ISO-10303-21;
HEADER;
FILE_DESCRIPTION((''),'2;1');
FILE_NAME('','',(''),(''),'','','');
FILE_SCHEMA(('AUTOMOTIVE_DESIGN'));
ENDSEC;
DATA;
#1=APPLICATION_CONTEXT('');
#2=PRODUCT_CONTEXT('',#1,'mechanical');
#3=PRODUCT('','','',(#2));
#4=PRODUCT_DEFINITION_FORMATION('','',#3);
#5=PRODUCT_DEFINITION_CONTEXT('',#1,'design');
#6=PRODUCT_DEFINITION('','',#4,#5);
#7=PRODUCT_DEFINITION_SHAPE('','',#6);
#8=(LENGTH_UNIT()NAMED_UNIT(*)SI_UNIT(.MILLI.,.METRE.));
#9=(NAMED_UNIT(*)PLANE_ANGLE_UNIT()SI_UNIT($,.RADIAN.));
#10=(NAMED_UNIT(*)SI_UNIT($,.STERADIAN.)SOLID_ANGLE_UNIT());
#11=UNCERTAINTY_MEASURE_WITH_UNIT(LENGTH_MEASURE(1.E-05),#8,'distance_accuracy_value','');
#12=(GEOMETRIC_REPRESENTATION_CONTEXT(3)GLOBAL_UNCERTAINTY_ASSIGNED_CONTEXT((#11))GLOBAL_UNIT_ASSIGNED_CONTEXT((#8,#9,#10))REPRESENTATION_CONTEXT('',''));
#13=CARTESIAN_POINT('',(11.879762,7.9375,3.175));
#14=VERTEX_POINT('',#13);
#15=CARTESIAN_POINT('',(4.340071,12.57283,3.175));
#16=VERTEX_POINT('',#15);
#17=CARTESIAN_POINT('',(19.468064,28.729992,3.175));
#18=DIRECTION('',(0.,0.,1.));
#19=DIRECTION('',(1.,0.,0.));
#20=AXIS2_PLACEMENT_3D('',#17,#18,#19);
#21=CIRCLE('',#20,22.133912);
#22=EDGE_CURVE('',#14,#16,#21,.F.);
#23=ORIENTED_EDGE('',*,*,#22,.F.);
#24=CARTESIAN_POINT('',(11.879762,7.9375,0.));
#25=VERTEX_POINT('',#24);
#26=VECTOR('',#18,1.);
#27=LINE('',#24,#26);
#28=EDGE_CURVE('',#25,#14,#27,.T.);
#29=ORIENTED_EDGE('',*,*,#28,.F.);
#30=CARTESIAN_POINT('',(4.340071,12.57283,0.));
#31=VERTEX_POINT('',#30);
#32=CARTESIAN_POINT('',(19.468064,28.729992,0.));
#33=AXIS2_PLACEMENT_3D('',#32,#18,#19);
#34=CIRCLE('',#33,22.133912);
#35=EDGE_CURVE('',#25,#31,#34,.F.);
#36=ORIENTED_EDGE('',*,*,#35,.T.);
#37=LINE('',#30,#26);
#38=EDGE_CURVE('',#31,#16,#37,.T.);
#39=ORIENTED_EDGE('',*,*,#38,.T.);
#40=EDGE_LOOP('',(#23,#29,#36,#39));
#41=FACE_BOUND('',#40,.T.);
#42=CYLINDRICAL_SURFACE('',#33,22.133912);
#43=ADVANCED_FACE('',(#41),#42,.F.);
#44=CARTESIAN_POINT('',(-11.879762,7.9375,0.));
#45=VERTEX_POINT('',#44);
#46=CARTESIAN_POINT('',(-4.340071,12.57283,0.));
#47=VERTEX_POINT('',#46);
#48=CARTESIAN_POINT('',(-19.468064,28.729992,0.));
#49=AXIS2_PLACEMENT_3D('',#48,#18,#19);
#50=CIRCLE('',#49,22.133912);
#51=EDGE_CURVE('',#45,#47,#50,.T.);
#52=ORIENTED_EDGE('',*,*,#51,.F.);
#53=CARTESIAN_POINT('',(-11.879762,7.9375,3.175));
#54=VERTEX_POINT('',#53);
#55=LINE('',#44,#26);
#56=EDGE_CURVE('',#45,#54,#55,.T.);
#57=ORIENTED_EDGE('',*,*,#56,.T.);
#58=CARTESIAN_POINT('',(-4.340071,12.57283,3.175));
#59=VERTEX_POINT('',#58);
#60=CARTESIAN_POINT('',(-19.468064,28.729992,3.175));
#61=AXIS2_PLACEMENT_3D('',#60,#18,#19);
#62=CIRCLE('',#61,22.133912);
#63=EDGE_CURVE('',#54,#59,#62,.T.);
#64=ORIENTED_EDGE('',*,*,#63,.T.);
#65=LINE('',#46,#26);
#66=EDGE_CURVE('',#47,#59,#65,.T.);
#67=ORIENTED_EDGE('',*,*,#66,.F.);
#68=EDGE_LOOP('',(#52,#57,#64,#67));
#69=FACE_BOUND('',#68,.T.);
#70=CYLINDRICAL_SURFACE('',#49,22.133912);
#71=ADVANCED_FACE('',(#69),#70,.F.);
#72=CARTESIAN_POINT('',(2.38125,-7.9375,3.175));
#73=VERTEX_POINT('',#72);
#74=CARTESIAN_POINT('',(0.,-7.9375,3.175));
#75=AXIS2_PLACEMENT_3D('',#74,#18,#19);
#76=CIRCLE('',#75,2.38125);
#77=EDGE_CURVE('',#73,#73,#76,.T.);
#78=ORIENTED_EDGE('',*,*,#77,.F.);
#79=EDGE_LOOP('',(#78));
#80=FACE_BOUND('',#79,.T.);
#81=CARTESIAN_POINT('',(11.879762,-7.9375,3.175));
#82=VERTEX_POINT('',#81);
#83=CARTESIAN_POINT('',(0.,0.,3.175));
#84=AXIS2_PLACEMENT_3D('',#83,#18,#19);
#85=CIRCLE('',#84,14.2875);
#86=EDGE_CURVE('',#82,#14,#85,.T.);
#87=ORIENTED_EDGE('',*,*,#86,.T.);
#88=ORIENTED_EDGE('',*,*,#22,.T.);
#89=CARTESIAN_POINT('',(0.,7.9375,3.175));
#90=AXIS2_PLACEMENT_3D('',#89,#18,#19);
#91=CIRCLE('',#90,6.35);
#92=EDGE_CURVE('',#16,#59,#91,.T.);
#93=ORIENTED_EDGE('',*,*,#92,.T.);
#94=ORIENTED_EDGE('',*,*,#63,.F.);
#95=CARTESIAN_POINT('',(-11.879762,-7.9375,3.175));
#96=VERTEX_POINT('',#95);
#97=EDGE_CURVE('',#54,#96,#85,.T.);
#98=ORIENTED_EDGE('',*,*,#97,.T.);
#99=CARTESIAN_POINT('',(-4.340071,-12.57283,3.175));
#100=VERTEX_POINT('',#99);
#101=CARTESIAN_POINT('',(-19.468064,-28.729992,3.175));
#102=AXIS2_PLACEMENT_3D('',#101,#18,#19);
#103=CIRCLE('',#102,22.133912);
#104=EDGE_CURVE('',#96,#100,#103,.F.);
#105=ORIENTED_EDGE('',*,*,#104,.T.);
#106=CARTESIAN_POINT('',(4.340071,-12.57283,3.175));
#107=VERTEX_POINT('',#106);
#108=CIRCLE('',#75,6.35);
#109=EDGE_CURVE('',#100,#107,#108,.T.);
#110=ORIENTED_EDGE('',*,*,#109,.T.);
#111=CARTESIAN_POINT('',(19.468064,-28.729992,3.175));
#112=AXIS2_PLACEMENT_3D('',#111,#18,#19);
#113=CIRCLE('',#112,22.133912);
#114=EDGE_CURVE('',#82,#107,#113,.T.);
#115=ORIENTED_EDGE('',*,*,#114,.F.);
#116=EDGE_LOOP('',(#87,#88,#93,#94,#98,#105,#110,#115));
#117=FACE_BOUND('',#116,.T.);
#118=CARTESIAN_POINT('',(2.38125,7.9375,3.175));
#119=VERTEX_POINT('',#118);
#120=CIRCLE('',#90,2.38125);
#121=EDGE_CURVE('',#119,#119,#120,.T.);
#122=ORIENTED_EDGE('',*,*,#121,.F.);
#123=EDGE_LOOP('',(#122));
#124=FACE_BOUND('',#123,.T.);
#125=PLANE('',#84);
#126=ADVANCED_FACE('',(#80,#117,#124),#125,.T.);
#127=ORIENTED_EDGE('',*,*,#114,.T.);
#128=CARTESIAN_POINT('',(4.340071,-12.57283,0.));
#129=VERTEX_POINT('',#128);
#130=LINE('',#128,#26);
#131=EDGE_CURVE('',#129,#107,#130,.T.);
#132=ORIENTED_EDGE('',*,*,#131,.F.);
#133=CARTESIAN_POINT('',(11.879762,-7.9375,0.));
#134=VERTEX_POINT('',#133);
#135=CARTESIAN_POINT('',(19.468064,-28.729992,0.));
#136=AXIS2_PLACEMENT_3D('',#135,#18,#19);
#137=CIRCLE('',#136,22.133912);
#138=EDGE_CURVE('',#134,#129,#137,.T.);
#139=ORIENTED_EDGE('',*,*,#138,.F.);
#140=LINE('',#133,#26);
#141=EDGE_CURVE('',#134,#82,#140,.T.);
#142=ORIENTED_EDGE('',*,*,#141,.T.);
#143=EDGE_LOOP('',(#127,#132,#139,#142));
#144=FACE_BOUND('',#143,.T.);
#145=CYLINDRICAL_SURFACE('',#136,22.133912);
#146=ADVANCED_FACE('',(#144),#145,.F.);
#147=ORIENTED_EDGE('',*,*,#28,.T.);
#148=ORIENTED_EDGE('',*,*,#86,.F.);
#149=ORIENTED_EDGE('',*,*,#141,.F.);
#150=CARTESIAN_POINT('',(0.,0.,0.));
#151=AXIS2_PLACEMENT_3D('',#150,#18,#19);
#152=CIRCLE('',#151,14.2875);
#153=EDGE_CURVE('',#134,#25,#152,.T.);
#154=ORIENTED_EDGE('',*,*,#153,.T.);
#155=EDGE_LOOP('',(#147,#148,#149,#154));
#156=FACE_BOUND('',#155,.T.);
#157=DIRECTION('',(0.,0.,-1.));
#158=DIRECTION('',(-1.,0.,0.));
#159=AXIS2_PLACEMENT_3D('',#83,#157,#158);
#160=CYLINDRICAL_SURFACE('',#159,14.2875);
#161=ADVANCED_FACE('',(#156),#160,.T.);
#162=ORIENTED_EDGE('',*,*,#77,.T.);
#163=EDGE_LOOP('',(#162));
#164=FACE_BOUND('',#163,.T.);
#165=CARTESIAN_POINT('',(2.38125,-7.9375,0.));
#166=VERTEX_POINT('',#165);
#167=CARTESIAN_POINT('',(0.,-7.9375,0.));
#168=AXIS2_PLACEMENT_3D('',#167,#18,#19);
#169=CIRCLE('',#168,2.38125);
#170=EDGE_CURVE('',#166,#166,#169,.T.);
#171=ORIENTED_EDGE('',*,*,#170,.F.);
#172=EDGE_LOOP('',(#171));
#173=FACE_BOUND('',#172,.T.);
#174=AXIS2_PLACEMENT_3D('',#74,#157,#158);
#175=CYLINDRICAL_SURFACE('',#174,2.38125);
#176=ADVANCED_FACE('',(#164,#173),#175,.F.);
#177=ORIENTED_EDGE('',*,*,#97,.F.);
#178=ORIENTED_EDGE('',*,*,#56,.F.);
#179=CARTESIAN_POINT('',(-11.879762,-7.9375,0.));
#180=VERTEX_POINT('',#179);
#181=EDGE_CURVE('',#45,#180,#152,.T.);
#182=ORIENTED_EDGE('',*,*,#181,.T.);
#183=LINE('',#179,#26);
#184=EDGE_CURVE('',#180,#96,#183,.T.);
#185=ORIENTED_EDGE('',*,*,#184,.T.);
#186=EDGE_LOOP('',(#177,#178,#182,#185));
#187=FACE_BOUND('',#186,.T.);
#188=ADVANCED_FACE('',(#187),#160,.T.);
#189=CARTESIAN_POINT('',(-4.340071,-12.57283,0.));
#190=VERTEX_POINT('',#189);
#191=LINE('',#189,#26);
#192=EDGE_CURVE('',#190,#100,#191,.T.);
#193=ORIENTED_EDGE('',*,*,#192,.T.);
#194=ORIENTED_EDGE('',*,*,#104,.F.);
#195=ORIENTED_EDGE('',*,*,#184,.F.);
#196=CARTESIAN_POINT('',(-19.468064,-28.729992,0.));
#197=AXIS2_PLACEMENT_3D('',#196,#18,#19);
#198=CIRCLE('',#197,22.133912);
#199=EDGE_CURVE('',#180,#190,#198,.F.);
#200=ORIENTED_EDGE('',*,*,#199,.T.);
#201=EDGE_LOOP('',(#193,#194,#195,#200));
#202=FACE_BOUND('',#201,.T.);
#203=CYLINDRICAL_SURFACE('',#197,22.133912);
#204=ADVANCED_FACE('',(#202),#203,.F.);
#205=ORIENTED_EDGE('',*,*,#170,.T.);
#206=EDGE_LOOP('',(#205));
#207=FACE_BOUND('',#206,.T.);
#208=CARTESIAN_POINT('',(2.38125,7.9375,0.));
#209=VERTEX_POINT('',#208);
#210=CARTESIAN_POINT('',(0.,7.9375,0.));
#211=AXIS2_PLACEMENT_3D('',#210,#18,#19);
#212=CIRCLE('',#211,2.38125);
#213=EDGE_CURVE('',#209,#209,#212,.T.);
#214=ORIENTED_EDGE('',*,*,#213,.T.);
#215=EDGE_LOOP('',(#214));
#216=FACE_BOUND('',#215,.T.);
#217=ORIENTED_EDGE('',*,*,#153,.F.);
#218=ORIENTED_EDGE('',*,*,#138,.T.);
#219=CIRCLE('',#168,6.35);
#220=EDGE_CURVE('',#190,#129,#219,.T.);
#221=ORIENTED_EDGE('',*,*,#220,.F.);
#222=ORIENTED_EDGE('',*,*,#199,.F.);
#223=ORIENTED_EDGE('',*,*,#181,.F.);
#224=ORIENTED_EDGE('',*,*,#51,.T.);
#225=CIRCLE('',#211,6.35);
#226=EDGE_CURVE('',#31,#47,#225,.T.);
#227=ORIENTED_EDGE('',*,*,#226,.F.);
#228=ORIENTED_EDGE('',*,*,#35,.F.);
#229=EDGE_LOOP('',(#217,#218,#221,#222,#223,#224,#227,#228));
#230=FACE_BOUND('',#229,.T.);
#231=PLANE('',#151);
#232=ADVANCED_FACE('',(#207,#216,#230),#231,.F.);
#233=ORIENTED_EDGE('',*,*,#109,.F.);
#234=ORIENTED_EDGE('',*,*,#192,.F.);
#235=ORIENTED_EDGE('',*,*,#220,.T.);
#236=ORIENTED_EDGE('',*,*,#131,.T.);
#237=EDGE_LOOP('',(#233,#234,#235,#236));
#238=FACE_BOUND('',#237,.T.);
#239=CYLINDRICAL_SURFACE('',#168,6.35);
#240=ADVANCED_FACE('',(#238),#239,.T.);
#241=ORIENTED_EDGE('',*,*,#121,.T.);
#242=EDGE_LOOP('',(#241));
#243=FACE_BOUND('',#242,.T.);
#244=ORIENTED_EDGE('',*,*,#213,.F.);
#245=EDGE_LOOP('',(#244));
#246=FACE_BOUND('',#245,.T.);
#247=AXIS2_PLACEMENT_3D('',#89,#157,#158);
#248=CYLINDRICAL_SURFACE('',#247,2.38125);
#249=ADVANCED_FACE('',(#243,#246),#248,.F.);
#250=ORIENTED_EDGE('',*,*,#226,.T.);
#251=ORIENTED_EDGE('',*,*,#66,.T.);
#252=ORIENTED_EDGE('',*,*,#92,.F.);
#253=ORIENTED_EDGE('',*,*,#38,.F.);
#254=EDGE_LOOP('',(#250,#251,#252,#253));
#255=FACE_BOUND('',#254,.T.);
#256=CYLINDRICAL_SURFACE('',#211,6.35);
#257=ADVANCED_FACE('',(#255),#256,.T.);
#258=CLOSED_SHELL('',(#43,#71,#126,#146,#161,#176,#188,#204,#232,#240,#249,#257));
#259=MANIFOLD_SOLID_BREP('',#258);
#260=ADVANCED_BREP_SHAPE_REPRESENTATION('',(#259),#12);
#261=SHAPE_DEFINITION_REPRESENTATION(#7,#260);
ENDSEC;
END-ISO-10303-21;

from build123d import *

# Parameters (mm, degrees)
SKETCH1_R           = 14.2875
SKETCH1_R_2         = 2.38125
BOSS_EXTRUDE1_DEPTH = 3.175
SKETCH2_R           = 18.832202279
SKETCH2_R_2         = 14.2875
CUT_EXTRUDE1_DEPTH  = 21.453506729


with BuildPart() as part:
    # Sketch1 → Boss-Extrude1 (new body)
    with BuildSketch(Plane.XY):
        Circle(SKETCH1_R)
        with Locations((0, 7.9375)):
            Circle(SKETCH1_R_2, mode=Mode.SUBTRACT)
        with Locations((0, -7.9375)):
            Circle(SKETCH1_R_2, mode=Mode.SUBTRACT)
    extrude(amount=BOSS_EXTRUDE1_DEPTH)

    # Sketch2 → Cut-Extrude1 (cut, through all)
    # profile 1 of 5: a face of its own
    with BuildSketch(Plane.XY.offset(3.175)):
        Circle(SKETCH2_R)
        Circle(SKETCH2_R_2, mode=Mode.SUBTRACT)
    # profile 2 of 5: a face of its own
    with BuildSketch(Plane.XY.offset(3.175)):
        with BuildLine():
            ThreePointArc((4.340071127, 12.572829828), (7.875864823, 9.874463076), (11.879762203, 7.9375))
            ThreePointArc((11.879762203, 7.9375), (6.735192091, 12.600390619), (0, 14.2875))
            ThreePointArc((0, 14.2875), (2.333254764, 13.843295645), (4.340071127, 12.572829828))
        make_face()
    # profile 3 of 5: a face of its own
    with BuildSketch(Plane.XY.offset(3.175)):
        with BuildLine():
            ThreePointArc((7.3e-08, -14.2875), (6.735192123, -12.600390602), (11.879762203, -7.9375))
            ThreePointArc((11.879762203, -7.9375), (7.875864823, -9.874463076), (4.340071127, -12.572829828))
            ThreePointArc((4.340071127, -12.572829828), (2.333254798, -13.843295632), (7.3e-08, -14.2875))
        make_face()
    # profile 4 of 5: a face of its own
    with BuildSketch(Plane.XY.offset(3.175)):
        with BuildLine():
            ThreePointArc((-11.879762203, -7.9375), (-6.735192059, -12.600390636), (7.3e-08, -14.2875))
            ThreePointArc((7.3e-08, -14.2875), (-2.33325473, -13.843295659), (-4.340071127, -12.572829828))
            ThreePointArc((-4.340071127, -12.572829828), (-7.875864823, -9.874463076), (-11.879762203, -7.9375))
        make_face()
    # profile 5 of 5: a face of its own
    with BuildSketch(Plane.XY.offset(3.175)):
        with BuildLine():
            ThreePointArc((-4.340071127, 12.572829828), (-2.333254764, 13.843295645), (0, 14.2875))
            ThreePointArc((0, 14.2875), (-6.735192091, 12.600390619), (-11.879762203, 7.9375))
            ThreePointArc((-11.879762203, 7.9375), (-7.875864823, 9.874463076), (-4.340071127, 12.572829828))
        make_face()
    extrude(amount=-CUT_EXTRUDE1_DEPTH, mode=Mode.SUBTRACT)


solid = part.part
